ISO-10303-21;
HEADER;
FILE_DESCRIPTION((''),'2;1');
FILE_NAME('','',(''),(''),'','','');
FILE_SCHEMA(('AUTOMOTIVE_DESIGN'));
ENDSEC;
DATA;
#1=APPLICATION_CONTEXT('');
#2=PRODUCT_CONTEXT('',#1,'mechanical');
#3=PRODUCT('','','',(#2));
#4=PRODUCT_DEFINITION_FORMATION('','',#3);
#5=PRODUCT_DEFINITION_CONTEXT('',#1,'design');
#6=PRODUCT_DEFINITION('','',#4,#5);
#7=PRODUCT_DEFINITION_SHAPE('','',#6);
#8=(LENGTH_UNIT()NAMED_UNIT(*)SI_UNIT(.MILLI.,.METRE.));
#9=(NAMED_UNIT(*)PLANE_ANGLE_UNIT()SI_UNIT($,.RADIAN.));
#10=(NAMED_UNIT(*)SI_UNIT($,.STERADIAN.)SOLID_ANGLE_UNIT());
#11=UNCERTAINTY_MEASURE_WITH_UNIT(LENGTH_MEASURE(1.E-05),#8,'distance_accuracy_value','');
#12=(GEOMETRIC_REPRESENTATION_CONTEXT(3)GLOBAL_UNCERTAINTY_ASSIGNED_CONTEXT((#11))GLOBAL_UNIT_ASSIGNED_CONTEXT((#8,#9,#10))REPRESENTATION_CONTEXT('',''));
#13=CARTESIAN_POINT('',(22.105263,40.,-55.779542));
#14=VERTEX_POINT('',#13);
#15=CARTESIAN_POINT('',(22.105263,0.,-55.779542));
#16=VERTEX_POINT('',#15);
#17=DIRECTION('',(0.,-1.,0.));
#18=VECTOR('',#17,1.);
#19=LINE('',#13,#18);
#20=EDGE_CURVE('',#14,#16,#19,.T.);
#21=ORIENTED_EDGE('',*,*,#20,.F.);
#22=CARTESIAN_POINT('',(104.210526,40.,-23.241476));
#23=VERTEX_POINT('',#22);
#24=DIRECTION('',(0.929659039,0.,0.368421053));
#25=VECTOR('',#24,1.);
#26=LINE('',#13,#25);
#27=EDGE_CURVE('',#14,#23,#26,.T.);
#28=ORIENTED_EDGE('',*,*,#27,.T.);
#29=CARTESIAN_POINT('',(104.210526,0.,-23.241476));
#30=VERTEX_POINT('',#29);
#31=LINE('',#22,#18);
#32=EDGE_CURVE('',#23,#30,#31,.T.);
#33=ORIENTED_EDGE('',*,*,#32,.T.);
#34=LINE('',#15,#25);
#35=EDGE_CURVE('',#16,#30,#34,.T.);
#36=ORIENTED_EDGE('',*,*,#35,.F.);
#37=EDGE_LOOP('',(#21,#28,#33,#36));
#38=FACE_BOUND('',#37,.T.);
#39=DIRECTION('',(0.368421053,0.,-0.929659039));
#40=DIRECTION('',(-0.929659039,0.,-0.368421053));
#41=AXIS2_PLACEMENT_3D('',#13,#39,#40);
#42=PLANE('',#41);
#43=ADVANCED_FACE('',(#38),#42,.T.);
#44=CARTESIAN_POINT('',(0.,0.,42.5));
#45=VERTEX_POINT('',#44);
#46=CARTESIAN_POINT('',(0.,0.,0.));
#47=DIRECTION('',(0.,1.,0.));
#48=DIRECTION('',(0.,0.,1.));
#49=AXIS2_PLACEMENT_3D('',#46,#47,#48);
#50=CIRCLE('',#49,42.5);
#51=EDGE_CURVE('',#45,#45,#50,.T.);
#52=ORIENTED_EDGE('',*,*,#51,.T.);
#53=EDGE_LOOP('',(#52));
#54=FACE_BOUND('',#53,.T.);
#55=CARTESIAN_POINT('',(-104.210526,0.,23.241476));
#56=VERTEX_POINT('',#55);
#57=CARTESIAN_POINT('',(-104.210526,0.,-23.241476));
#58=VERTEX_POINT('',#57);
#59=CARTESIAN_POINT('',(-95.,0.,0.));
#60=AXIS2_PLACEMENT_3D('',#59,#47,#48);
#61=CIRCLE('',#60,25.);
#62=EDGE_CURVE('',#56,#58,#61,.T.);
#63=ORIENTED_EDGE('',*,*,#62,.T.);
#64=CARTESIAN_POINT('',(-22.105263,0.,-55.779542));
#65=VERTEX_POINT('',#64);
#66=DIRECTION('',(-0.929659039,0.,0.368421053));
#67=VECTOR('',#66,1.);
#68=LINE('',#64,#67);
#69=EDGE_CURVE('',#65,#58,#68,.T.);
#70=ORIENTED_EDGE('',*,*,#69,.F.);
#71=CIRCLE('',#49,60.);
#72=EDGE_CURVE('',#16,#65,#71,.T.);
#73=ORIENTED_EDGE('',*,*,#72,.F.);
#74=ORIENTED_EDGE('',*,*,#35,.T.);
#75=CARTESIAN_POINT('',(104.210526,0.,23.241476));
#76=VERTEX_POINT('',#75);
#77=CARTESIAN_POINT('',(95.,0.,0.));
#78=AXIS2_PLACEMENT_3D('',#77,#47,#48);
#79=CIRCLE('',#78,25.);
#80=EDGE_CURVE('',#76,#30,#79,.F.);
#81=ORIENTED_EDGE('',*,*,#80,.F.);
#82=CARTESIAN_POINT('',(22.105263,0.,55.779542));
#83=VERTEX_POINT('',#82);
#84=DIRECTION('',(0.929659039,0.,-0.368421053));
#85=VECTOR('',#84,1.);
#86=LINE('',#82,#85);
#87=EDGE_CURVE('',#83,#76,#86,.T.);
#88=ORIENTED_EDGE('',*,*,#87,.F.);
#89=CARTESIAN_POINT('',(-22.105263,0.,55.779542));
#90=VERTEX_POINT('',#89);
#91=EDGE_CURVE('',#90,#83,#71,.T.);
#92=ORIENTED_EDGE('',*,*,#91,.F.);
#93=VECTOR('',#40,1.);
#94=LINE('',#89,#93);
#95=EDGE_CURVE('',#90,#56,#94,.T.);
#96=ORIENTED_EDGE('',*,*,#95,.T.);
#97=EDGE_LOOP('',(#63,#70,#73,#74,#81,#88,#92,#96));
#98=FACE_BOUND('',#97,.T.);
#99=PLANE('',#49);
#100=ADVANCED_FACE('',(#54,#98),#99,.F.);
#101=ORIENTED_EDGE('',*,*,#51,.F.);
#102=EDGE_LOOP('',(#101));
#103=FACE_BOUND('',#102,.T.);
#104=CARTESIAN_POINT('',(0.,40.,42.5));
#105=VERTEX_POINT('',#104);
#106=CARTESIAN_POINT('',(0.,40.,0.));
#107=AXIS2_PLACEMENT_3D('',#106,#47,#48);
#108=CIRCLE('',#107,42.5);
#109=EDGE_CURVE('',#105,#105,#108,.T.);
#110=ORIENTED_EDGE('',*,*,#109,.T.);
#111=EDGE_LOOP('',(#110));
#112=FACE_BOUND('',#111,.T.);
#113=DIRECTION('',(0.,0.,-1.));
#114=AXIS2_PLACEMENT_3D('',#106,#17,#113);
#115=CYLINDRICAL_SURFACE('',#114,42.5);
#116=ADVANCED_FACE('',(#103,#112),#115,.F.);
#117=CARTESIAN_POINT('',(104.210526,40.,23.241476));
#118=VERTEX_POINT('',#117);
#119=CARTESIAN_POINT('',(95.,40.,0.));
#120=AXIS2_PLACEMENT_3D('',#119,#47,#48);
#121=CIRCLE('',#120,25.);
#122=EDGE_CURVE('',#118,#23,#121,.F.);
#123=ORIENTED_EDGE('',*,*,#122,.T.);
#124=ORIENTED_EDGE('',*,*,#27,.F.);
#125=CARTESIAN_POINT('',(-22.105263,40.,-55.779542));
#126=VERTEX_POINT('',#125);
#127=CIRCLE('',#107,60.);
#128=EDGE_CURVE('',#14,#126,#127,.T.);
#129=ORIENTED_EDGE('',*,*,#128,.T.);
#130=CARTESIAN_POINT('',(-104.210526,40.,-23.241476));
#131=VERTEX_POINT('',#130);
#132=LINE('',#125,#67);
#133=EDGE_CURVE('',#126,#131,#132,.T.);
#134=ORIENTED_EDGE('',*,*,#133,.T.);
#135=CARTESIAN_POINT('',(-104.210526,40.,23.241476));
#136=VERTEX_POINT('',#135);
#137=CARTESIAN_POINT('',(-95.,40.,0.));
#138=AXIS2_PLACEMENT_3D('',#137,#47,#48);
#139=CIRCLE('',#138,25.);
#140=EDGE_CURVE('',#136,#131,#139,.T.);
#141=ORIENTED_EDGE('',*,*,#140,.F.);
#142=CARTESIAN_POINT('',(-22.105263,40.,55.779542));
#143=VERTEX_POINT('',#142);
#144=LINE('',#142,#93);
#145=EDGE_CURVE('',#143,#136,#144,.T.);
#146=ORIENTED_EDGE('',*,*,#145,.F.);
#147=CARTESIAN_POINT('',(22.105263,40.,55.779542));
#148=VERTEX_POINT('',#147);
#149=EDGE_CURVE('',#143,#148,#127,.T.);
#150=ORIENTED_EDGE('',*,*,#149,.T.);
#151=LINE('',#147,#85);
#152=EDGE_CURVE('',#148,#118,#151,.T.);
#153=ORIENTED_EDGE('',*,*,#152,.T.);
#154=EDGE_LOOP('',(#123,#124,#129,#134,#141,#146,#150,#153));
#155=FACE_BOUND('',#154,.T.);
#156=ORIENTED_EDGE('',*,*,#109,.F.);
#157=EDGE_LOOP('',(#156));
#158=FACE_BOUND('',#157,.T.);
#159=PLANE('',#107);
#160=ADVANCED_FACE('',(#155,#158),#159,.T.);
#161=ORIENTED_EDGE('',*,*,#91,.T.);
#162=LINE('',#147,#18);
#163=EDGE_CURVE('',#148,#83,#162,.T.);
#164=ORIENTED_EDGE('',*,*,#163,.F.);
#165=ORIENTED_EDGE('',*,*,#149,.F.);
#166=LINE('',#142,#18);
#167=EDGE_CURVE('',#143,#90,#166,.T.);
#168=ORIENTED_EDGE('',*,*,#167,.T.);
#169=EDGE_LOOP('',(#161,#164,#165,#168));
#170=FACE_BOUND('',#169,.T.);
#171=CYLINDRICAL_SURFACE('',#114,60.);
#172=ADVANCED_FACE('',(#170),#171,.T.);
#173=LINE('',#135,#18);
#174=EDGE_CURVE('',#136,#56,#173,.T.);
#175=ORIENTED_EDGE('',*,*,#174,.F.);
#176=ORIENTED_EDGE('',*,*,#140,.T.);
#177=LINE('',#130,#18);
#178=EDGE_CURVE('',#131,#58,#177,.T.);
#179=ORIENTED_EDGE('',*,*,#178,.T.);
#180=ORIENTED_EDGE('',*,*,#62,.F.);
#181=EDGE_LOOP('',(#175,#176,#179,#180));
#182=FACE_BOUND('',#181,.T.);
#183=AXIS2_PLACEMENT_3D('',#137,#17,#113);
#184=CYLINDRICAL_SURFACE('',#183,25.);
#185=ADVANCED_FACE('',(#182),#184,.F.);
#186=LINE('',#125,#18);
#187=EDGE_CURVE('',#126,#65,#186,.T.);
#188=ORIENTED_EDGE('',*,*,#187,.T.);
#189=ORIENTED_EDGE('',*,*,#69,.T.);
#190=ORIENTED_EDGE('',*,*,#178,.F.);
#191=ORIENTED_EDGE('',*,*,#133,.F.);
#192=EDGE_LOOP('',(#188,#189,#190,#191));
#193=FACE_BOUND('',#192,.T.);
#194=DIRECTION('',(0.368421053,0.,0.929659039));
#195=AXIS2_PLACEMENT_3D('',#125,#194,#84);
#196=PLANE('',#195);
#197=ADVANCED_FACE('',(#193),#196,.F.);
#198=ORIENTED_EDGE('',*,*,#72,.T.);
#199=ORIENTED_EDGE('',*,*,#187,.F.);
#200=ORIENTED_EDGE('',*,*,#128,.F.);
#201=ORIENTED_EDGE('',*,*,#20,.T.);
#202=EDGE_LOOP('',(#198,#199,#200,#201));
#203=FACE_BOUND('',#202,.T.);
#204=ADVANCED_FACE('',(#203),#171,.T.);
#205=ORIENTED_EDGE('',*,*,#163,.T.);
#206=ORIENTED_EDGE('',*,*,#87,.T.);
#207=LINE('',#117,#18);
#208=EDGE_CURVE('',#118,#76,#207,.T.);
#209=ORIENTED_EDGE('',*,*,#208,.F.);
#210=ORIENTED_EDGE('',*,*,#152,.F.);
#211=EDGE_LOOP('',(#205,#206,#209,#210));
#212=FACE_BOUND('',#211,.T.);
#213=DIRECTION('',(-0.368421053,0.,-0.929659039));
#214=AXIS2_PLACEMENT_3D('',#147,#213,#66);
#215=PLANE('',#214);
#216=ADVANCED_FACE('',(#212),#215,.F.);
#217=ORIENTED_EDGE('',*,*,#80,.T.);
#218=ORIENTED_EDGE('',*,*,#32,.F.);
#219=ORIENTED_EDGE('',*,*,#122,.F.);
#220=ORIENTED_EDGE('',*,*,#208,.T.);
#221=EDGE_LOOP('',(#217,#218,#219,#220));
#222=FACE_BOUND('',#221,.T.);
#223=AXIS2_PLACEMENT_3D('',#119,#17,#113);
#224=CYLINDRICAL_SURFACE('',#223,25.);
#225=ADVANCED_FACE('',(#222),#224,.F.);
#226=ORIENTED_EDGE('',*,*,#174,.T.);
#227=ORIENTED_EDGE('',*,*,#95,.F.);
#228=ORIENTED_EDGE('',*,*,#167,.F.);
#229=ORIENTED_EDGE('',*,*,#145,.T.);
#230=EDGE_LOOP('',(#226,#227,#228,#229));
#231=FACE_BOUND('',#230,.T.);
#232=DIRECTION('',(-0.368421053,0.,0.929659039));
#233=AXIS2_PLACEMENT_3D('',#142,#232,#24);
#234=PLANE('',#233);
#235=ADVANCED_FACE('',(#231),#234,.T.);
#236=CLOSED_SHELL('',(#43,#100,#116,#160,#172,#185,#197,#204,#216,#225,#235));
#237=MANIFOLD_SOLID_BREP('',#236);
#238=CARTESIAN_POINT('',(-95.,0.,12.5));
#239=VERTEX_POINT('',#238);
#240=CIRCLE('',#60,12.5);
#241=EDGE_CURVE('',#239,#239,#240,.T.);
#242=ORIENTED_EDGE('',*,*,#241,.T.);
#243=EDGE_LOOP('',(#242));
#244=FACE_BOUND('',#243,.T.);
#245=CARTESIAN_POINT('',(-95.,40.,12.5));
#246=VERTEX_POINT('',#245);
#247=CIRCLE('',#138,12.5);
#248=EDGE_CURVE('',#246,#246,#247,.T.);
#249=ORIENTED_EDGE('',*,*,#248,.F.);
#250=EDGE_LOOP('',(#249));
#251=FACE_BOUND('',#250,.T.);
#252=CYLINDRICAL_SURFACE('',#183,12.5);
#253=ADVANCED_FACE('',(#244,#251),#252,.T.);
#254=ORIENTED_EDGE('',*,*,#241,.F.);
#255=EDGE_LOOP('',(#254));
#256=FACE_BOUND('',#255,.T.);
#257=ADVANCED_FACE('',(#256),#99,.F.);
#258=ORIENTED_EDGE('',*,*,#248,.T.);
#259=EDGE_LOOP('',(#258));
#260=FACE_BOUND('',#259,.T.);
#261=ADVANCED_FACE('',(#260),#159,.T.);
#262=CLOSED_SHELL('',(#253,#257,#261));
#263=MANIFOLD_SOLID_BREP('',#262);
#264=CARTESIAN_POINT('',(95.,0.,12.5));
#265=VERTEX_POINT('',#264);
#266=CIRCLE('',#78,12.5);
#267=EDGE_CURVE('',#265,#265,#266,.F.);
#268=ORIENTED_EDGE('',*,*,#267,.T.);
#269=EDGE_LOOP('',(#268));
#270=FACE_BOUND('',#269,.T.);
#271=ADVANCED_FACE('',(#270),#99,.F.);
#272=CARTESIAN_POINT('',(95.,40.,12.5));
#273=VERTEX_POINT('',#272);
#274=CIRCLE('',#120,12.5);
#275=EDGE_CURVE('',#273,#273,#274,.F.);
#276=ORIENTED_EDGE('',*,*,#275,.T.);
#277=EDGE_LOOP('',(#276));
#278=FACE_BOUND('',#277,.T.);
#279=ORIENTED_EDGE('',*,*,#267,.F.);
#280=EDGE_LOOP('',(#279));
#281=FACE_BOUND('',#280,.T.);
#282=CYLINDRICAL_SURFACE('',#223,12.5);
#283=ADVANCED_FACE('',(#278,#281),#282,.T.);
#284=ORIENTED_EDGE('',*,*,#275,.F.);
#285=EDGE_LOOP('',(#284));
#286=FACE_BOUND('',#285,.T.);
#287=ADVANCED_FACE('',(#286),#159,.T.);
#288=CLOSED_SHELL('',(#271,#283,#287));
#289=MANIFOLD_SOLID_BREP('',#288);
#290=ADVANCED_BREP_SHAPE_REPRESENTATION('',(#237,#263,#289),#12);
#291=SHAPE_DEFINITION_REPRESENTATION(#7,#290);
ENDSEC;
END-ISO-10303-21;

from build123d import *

# Parameters (mm, degrees)
SKETCH2_R             = 42.5
BOSS_EXTRUDE1_DEPTH   = 40
SKETCH2_R_2           = 12.5
BOSS_EXTRUDE1_2_DEPTH = 40
BOSS_EXTRUDE1_3_DEPTH = 40


with BuildPart() as part:
    # Sketch2 → Boss-Extrude1 (new body)
    with BuildSketch(Plane(origin=(0, 0, 0), x_dir=(1, 0, 0), z_dir=(0, 1, 0))):
        with BuildLine():
            Line((-104.210526316, -23.241475964), (-22.105263158, -55.779542314))
            ThreePointArc((-22.105263158, -55.779542314), (0, -60), (22.105263158, -55.779542314))
            Line((22.105263158, -55.779542314), (104.210526316, -23.241475964))
            ThreePointArc((104.210526316, -23.241475964), (70, 0), (104.210526316, 23.241475964))
            Line((104.210526316, 23.241475964), (22.105263158, 55.779542314))
            ThreePointArc((22.105263158, 55.779542314), (0, 60), (-22.105263158, 55.779542314))
            Line((-22.105263158, 55.779542314), (-104.210526316, 23.241475964))
            ThreePointArc((-104.210526316, 23.241475964), (-70, 0), (-104.210526316, -23.241475964))
        make_face()
        with Locations(Location((0, 0, 0), (0, 0, 270))):
            Circle(SKETCH2_R, mode=Mode.SUBTRACT)
    extrude(amount=BOSS_EXTRUDE1_DEPTH)


with BuildPart() as body_2:
    # Sketch2 → Boss-Extrude1 2 (new body)
    with BuildSketch(Plane(origin=(0, 0, 0), x_dir=(1, 0, 0), z_dir=(0, 1, 0))):
        with Locations(Location((-95, 0, 0), (0, 0, 270))):
            Circle(SKETCH2_R_2)
    extrude(amount=BOSS_EXTRUDE1_2_DEPTH)


with BuildPart() as body_3:
    # Sketch2 → Boss-Extrude1 3 (new body)
    with BuildSketch(Plane(origin=(0, 0, 0), x_dir=(1, 0, 0), z_dir=(0, 1, 0))):
        with Locations(Location((95, 0, 0), (0, 0, 270))):
            Circle(SKETCH2_R_2)
    extrude(amount=BOSS_EXTRUDE1_3_DEPTH)


solid = Compound([part.part, body_2.part, body_3.part])
